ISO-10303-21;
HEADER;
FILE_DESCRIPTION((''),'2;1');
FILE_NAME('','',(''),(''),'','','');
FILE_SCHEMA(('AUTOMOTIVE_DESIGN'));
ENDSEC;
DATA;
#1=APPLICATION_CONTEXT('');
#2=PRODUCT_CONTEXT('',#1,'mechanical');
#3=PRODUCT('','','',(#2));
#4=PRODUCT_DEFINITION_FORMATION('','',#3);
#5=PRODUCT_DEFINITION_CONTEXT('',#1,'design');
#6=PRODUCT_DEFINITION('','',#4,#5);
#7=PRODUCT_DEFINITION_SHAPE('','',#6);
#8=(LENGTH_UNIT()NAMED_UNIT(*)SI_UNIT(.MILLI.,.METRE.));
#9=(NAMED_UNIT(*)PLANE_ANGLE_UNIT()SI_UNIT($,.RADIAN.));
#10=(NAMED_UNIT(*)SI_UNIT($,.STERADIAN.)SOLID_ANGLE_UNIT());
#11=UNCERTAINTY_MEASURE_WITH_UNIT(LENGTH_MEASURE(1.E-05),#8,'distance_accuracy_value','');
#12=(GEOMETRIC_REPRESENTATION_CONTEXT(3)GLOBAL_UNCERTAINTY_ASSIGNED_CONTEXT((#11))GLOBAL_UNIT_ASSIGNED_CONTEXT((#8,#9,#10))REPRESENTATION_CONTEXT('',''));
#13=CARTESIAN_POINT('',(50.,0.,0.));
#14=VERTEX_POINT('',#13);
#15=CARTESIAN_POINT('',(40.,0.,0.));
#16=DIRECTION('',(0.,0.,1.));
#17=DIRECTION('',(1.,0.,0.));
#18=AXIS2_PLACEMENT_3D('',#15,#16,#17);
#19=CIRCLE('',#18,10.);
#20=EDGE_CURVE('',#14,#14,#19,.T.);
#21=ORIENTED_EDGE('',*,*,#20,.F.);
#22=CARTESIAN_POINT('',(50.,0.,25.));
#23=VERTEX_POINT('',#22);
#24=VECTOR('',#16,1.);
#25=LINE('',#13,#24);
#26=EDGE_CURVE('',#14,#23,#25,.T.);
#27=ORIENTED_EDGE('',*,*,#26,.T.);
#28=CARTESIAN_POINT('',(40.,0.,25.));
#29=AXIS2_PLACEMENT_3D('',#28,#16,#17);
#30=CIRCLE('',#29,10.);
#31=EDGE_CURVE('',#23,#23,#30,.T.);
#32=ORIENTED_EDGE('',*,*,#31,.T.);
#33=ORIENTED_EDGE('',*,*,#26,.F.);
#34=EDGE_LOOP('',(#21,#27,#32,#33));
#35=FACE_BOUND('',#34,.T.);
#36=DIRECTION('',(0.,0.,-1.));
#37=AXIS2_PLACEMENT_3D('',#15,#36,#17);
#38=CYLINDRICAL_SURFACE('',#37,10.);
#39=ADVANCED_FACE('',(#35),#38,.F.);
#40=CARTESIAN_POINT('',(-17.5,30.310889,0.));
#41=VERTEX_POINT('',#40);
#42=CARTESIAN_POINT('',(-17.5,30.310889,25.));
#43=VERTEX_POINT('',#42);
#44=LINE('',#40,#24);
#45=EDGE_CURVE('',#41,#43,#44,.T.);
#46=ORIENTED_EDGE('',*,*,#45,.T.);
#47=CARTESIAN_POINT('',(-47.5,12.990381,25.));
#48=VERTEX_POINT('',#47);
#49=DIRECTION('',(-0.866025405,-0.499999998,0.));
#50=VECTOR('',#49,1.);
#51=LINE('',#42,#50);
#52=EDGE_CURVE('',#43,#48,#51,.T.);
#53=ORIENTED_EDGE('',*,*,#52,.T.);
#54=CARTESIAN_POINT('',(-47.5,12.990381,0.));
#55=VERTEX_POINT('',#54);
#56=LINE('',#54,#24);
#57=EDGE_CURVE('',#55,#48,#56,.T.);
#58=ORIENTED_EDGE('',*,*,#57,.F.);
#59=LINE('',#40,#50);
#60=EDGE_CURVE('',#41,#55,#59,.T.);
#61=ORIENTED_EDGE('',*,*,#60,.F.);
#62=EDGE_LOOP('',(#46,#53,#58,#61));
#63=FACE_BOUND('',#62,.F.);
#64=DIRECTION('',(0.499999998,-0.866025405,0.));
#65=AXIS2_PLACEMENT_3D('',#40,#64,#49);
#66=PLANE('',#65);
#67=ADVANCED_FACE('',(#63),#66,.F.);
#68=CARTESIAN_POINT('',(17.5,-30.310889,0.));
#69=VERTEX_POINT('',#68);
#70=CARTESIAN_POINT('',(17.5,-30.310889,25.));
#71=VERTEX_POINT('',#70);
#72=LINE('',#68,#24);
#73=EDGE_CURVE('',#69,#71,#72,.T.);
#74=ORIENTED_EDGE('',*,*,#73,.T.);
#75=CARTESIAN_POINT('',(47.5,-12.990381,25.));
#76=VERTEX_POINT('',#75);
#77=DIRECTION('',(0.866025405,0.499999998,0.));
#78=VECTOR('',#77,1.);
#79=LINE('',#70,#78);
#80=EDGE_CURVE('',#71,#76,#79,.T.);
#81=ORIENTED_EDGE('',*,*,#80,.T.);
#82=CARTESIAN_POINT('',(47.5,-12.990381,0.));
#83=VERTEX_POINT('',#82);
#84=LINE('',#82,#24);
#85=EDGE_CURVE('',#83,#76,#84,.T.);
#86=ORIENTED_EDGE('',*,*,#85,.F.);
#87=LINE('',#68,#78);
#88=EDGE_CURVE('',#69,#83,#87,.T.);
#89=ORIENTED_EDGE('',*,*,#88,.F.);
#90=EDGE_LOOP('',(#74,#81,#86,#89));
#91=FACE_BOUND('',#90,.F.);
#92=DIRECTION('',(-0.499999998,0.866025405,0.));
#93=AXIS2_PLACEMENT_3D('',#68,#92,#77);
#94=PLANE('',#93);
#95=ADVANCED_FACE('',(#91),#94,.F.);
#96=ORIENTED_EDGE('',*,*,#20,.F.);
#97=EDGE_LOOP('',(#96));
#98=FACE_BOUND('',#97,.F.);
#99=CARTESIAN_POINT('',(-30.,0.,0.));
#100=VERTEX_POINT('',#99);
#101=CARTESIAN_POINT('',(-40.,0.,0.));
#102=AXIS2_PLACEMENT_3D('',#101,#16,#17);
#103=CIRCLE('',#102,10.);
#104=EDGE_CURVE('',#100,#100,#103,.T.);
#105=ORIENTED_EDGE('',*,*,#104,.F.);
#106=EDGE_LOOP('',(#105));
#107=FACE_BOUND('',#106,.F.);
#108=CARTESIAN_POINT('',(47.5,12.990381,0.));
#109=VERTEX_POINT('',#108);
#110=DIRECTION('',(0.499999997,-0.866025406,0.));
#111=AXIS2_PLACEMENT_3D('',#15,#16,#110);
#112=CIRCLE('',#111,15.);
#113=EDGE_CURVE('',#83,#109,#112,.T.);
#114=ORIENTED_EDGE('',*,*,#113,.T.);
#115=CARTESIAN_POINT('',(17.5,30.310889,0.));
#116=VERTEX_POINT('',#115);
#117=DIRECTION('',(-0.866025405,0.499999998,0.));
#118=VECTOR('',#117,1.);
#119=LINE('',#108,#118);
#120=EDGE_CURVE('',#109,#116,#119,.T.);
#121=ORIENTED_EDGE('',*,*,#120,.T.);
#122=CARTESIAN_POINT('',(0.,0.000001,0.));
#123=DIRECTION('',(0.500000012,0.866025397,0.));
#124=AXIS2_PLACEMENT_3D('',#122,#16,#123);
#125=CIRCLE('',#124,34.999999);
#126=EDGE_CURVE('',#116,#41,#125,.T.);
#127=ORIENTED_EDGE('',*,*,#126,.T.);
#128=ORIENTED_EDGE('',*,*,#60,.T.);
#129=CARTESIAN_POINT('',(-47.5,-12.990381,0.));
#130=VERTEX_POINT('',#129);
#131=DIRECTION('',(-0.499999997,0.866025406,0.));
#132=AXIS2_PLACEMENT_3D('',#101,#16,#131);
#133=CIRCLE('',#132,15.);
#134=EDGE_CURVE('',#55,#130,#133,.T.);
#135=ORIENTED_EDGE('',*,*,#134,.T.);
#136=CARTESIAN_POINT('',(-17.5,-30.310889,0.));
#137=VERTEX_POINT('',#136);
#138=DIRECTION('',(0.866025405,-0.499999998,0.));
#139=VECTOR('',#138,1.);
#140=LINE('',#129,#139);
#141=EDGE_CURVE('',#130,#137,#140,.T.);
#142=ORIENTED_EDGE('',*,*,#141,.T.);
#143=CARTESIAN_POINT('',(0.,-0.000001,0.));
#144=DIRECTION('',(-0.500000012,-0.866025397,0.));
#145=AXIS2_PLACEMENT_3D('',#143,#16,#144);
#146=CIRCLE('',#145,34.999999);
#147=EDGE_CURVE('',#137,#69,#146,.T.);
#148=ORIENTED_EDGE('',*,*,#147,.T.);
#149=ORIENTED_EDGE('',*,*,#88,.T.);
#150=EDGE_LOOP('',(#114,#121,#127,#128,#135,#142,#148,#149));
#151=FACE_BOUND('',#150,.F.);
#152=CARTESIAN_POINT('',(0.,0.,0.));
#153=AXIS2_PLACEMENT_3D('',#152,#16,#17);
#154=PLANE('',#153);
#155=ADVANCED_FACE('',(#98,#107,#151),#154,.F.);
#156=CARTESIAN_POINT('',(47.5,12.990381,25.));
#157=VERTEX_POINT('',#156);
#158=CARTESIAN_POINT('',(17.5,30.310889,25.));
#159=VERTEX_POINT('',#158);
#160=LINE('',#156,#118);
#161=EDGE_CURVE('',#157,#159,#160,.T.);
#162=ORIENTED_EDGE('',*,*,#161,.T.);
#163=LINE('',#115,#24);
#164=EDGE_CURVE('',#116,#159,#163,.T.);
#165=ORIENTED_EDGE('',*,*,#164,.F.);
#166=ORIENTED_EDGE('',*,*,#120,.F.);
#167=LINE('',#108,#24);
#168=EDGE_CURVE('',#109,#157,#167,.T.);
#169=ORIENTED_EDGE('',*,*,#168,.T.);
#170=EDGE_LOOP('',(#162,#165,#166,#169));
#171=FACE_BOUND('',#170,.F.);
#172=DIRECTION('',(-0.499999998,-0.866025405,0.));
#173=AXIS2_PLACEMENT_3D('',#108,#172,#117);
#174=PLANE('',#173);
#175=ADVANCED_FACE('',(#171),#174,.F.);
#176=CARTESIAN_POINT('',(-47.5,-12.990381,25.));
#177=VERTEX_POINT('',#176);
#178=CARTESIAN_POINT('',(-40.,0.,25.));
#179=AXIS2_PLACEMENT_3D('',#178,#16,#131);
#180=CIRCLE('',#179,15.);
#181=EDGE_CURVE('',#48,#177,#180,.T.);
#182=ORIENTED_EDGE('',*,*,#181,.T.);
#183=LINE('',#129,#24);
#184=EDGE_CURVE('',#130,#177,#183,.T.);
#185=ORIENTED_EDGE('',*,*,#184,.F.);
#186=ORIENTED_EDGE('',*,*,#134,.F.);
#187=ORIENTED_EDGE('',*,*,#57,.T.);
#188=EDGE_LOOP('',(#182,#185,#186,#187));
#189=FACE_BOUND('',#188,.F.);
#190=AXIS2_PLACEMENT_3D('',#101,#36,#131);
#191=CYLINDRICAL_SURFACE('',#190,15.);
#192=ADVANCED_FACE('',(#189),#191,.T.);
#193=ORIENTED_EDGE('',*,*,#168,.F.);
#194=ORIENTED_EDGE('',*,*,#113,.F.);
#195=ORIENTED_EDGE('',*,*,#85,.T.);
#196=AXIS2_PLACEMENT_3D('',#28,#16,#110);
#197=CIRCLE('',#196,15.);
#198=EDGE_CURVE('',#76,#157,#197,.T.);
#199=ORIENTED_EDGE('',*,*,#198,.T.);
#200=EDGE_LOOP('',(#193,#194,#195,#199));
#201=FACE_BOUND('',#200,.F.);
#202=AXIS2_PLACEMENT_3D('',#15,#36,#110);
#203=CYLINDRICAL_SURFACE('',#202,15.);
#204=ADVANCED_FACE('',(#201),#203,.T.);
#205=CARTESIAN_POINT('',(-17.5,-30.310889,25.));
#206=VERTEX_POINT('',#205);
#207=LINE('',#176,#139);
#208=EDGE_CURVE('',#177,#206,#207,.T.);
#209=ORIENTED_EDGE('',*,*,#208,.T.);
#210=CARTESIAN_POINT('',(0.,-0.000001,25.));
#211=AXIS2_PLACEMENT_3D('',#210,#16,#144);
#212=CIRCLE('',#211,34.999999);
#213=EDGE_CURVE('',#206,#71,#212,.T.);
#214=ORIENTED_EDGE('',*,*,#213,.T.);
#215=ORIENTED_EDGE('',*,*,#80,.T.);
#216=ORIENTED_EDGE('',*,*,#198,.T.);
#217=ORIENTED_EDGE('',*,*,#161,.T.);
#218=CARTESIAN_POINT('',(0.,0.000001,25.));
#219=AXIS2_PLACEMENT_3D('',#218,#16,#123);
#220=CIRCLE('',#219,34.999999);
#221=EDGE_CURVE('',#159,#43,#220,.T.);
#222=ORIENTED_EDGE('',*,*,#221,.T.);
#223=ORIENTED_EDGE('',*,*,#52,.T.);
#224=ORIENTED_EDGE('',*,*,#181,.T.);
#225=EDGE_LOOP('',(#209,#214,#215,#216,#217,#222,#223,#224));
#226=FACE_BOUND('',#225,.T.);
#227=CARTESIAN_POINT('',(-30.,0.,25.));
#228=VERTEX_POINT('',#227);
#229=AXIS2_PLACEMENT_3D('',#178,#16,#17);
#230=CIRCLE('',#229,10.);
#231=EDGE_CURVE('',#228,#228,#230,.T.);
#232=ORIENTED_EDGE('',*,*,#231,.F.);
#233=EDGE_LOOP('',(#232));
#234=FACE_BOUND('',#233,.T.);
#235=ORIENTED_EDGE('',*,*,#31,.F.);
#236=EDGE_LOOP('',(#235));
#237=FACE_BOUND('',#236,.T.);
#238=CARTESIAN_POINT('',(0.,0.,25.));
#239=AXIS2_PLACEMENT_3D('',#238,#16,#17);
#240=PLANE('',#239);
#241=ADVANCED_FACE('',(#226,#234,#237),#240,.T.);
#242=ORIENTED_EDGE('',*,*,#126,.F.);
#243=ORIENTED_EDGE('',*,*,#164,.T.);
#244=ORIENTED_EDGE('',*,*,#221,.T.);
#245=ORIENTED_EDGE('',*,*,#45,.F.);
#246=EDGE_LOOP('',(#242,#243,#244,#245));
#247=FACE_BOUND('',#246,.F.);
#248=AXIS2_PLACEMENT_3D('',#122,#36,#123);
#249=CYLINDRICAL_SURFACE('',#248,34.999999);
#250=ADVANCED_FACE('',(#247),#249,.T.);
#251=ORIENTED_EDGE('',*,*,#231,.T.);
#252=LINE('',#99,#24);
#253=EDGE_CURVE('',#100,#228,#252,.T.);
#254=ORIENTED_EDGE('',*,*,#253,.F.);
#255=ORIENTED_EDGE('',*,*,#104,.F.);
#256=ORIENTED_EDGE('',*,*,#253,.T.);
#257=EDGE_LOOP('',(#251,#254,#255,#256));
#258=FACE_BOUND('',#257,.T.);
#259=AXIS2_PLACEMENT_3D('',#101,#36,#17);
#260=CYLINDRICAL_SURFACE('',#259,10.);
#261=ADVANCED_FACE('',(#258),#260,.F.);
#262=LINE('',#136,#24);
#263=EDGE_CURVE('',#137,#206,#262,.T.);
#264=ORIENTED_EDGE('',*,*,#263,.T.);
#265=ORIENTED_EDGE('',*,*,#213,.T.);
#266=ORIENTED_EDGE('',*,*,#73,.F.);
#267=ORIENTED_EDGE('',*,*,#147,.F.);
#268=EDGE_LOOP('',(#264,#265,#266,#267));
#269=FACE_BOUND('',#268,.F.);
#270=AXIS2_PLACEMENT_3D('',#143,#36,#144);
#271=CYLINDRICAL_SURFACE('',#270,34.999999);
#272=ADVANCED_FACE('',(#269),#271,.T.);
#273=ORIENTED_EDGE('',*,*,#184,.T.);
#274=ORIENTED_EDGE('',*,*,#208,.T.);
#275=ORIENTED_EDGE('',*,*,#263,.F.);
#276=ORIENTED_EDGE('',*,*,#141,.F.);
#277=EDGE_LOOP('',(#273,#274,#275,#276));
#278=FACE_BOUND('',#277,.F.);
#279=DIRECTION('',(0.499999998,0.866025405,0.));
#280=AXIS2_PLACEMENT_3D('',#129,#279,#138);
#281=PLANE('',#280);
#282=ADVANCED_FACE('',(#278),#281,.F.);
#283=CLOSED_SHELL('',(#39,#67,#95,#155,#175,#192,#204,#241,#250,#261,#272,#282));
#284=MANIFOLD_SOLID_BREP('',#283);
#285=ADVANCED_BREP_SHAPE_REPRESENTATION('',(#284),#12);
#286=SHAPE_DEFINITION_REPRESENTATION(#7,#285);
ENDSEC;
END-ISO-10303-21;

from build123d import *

# Parameters (mm, degrees)
F2_DEPTH = 25
F1_R     = 10
F3_DEPTH = 25


with BuildPart() as f2:
    # F0 (on Top) → F2 (new body)
    with BuildSketch(Plane.XY):
        with BuildLine():
            Line((-17.5, 30.310889), (-47.5, 12.990381))
            ThreePointArc((-47.5, 12.990381), (-55, 0), (-47.5, -12.990381))
            Line((-47.5, -12.990381), (-17.5, -30.310889))
            ThreePointArc((-17.5, -30.310889), (0, -35), (17.5, -30.310889))
            Line((17.5, -30.310889), (47.5, -12.990381))
            ThreePointArc((47.5, -12.990381), (55, 0), (47.5, 12.990381))
            Line((47.5, 12.990381), (17.5, 30.310889))
            ThreePointArc((17.5, 30.310889), (0, 35), (-17.5, 30.310889))
        make_face()
    extrude(amount=F2_DEPTH)

    # F1 (on face) → F3 (cut)
    with BuildSketch(Plane.XY):
        with Locations((40, 0)):
            Circle(F1_R)
        with Locations((-40, 0)):
            Circle(F1_R)
    extrude(amount=F3_DEPTH, mode=Mode.SUBTRACT)


solid = f2.part
